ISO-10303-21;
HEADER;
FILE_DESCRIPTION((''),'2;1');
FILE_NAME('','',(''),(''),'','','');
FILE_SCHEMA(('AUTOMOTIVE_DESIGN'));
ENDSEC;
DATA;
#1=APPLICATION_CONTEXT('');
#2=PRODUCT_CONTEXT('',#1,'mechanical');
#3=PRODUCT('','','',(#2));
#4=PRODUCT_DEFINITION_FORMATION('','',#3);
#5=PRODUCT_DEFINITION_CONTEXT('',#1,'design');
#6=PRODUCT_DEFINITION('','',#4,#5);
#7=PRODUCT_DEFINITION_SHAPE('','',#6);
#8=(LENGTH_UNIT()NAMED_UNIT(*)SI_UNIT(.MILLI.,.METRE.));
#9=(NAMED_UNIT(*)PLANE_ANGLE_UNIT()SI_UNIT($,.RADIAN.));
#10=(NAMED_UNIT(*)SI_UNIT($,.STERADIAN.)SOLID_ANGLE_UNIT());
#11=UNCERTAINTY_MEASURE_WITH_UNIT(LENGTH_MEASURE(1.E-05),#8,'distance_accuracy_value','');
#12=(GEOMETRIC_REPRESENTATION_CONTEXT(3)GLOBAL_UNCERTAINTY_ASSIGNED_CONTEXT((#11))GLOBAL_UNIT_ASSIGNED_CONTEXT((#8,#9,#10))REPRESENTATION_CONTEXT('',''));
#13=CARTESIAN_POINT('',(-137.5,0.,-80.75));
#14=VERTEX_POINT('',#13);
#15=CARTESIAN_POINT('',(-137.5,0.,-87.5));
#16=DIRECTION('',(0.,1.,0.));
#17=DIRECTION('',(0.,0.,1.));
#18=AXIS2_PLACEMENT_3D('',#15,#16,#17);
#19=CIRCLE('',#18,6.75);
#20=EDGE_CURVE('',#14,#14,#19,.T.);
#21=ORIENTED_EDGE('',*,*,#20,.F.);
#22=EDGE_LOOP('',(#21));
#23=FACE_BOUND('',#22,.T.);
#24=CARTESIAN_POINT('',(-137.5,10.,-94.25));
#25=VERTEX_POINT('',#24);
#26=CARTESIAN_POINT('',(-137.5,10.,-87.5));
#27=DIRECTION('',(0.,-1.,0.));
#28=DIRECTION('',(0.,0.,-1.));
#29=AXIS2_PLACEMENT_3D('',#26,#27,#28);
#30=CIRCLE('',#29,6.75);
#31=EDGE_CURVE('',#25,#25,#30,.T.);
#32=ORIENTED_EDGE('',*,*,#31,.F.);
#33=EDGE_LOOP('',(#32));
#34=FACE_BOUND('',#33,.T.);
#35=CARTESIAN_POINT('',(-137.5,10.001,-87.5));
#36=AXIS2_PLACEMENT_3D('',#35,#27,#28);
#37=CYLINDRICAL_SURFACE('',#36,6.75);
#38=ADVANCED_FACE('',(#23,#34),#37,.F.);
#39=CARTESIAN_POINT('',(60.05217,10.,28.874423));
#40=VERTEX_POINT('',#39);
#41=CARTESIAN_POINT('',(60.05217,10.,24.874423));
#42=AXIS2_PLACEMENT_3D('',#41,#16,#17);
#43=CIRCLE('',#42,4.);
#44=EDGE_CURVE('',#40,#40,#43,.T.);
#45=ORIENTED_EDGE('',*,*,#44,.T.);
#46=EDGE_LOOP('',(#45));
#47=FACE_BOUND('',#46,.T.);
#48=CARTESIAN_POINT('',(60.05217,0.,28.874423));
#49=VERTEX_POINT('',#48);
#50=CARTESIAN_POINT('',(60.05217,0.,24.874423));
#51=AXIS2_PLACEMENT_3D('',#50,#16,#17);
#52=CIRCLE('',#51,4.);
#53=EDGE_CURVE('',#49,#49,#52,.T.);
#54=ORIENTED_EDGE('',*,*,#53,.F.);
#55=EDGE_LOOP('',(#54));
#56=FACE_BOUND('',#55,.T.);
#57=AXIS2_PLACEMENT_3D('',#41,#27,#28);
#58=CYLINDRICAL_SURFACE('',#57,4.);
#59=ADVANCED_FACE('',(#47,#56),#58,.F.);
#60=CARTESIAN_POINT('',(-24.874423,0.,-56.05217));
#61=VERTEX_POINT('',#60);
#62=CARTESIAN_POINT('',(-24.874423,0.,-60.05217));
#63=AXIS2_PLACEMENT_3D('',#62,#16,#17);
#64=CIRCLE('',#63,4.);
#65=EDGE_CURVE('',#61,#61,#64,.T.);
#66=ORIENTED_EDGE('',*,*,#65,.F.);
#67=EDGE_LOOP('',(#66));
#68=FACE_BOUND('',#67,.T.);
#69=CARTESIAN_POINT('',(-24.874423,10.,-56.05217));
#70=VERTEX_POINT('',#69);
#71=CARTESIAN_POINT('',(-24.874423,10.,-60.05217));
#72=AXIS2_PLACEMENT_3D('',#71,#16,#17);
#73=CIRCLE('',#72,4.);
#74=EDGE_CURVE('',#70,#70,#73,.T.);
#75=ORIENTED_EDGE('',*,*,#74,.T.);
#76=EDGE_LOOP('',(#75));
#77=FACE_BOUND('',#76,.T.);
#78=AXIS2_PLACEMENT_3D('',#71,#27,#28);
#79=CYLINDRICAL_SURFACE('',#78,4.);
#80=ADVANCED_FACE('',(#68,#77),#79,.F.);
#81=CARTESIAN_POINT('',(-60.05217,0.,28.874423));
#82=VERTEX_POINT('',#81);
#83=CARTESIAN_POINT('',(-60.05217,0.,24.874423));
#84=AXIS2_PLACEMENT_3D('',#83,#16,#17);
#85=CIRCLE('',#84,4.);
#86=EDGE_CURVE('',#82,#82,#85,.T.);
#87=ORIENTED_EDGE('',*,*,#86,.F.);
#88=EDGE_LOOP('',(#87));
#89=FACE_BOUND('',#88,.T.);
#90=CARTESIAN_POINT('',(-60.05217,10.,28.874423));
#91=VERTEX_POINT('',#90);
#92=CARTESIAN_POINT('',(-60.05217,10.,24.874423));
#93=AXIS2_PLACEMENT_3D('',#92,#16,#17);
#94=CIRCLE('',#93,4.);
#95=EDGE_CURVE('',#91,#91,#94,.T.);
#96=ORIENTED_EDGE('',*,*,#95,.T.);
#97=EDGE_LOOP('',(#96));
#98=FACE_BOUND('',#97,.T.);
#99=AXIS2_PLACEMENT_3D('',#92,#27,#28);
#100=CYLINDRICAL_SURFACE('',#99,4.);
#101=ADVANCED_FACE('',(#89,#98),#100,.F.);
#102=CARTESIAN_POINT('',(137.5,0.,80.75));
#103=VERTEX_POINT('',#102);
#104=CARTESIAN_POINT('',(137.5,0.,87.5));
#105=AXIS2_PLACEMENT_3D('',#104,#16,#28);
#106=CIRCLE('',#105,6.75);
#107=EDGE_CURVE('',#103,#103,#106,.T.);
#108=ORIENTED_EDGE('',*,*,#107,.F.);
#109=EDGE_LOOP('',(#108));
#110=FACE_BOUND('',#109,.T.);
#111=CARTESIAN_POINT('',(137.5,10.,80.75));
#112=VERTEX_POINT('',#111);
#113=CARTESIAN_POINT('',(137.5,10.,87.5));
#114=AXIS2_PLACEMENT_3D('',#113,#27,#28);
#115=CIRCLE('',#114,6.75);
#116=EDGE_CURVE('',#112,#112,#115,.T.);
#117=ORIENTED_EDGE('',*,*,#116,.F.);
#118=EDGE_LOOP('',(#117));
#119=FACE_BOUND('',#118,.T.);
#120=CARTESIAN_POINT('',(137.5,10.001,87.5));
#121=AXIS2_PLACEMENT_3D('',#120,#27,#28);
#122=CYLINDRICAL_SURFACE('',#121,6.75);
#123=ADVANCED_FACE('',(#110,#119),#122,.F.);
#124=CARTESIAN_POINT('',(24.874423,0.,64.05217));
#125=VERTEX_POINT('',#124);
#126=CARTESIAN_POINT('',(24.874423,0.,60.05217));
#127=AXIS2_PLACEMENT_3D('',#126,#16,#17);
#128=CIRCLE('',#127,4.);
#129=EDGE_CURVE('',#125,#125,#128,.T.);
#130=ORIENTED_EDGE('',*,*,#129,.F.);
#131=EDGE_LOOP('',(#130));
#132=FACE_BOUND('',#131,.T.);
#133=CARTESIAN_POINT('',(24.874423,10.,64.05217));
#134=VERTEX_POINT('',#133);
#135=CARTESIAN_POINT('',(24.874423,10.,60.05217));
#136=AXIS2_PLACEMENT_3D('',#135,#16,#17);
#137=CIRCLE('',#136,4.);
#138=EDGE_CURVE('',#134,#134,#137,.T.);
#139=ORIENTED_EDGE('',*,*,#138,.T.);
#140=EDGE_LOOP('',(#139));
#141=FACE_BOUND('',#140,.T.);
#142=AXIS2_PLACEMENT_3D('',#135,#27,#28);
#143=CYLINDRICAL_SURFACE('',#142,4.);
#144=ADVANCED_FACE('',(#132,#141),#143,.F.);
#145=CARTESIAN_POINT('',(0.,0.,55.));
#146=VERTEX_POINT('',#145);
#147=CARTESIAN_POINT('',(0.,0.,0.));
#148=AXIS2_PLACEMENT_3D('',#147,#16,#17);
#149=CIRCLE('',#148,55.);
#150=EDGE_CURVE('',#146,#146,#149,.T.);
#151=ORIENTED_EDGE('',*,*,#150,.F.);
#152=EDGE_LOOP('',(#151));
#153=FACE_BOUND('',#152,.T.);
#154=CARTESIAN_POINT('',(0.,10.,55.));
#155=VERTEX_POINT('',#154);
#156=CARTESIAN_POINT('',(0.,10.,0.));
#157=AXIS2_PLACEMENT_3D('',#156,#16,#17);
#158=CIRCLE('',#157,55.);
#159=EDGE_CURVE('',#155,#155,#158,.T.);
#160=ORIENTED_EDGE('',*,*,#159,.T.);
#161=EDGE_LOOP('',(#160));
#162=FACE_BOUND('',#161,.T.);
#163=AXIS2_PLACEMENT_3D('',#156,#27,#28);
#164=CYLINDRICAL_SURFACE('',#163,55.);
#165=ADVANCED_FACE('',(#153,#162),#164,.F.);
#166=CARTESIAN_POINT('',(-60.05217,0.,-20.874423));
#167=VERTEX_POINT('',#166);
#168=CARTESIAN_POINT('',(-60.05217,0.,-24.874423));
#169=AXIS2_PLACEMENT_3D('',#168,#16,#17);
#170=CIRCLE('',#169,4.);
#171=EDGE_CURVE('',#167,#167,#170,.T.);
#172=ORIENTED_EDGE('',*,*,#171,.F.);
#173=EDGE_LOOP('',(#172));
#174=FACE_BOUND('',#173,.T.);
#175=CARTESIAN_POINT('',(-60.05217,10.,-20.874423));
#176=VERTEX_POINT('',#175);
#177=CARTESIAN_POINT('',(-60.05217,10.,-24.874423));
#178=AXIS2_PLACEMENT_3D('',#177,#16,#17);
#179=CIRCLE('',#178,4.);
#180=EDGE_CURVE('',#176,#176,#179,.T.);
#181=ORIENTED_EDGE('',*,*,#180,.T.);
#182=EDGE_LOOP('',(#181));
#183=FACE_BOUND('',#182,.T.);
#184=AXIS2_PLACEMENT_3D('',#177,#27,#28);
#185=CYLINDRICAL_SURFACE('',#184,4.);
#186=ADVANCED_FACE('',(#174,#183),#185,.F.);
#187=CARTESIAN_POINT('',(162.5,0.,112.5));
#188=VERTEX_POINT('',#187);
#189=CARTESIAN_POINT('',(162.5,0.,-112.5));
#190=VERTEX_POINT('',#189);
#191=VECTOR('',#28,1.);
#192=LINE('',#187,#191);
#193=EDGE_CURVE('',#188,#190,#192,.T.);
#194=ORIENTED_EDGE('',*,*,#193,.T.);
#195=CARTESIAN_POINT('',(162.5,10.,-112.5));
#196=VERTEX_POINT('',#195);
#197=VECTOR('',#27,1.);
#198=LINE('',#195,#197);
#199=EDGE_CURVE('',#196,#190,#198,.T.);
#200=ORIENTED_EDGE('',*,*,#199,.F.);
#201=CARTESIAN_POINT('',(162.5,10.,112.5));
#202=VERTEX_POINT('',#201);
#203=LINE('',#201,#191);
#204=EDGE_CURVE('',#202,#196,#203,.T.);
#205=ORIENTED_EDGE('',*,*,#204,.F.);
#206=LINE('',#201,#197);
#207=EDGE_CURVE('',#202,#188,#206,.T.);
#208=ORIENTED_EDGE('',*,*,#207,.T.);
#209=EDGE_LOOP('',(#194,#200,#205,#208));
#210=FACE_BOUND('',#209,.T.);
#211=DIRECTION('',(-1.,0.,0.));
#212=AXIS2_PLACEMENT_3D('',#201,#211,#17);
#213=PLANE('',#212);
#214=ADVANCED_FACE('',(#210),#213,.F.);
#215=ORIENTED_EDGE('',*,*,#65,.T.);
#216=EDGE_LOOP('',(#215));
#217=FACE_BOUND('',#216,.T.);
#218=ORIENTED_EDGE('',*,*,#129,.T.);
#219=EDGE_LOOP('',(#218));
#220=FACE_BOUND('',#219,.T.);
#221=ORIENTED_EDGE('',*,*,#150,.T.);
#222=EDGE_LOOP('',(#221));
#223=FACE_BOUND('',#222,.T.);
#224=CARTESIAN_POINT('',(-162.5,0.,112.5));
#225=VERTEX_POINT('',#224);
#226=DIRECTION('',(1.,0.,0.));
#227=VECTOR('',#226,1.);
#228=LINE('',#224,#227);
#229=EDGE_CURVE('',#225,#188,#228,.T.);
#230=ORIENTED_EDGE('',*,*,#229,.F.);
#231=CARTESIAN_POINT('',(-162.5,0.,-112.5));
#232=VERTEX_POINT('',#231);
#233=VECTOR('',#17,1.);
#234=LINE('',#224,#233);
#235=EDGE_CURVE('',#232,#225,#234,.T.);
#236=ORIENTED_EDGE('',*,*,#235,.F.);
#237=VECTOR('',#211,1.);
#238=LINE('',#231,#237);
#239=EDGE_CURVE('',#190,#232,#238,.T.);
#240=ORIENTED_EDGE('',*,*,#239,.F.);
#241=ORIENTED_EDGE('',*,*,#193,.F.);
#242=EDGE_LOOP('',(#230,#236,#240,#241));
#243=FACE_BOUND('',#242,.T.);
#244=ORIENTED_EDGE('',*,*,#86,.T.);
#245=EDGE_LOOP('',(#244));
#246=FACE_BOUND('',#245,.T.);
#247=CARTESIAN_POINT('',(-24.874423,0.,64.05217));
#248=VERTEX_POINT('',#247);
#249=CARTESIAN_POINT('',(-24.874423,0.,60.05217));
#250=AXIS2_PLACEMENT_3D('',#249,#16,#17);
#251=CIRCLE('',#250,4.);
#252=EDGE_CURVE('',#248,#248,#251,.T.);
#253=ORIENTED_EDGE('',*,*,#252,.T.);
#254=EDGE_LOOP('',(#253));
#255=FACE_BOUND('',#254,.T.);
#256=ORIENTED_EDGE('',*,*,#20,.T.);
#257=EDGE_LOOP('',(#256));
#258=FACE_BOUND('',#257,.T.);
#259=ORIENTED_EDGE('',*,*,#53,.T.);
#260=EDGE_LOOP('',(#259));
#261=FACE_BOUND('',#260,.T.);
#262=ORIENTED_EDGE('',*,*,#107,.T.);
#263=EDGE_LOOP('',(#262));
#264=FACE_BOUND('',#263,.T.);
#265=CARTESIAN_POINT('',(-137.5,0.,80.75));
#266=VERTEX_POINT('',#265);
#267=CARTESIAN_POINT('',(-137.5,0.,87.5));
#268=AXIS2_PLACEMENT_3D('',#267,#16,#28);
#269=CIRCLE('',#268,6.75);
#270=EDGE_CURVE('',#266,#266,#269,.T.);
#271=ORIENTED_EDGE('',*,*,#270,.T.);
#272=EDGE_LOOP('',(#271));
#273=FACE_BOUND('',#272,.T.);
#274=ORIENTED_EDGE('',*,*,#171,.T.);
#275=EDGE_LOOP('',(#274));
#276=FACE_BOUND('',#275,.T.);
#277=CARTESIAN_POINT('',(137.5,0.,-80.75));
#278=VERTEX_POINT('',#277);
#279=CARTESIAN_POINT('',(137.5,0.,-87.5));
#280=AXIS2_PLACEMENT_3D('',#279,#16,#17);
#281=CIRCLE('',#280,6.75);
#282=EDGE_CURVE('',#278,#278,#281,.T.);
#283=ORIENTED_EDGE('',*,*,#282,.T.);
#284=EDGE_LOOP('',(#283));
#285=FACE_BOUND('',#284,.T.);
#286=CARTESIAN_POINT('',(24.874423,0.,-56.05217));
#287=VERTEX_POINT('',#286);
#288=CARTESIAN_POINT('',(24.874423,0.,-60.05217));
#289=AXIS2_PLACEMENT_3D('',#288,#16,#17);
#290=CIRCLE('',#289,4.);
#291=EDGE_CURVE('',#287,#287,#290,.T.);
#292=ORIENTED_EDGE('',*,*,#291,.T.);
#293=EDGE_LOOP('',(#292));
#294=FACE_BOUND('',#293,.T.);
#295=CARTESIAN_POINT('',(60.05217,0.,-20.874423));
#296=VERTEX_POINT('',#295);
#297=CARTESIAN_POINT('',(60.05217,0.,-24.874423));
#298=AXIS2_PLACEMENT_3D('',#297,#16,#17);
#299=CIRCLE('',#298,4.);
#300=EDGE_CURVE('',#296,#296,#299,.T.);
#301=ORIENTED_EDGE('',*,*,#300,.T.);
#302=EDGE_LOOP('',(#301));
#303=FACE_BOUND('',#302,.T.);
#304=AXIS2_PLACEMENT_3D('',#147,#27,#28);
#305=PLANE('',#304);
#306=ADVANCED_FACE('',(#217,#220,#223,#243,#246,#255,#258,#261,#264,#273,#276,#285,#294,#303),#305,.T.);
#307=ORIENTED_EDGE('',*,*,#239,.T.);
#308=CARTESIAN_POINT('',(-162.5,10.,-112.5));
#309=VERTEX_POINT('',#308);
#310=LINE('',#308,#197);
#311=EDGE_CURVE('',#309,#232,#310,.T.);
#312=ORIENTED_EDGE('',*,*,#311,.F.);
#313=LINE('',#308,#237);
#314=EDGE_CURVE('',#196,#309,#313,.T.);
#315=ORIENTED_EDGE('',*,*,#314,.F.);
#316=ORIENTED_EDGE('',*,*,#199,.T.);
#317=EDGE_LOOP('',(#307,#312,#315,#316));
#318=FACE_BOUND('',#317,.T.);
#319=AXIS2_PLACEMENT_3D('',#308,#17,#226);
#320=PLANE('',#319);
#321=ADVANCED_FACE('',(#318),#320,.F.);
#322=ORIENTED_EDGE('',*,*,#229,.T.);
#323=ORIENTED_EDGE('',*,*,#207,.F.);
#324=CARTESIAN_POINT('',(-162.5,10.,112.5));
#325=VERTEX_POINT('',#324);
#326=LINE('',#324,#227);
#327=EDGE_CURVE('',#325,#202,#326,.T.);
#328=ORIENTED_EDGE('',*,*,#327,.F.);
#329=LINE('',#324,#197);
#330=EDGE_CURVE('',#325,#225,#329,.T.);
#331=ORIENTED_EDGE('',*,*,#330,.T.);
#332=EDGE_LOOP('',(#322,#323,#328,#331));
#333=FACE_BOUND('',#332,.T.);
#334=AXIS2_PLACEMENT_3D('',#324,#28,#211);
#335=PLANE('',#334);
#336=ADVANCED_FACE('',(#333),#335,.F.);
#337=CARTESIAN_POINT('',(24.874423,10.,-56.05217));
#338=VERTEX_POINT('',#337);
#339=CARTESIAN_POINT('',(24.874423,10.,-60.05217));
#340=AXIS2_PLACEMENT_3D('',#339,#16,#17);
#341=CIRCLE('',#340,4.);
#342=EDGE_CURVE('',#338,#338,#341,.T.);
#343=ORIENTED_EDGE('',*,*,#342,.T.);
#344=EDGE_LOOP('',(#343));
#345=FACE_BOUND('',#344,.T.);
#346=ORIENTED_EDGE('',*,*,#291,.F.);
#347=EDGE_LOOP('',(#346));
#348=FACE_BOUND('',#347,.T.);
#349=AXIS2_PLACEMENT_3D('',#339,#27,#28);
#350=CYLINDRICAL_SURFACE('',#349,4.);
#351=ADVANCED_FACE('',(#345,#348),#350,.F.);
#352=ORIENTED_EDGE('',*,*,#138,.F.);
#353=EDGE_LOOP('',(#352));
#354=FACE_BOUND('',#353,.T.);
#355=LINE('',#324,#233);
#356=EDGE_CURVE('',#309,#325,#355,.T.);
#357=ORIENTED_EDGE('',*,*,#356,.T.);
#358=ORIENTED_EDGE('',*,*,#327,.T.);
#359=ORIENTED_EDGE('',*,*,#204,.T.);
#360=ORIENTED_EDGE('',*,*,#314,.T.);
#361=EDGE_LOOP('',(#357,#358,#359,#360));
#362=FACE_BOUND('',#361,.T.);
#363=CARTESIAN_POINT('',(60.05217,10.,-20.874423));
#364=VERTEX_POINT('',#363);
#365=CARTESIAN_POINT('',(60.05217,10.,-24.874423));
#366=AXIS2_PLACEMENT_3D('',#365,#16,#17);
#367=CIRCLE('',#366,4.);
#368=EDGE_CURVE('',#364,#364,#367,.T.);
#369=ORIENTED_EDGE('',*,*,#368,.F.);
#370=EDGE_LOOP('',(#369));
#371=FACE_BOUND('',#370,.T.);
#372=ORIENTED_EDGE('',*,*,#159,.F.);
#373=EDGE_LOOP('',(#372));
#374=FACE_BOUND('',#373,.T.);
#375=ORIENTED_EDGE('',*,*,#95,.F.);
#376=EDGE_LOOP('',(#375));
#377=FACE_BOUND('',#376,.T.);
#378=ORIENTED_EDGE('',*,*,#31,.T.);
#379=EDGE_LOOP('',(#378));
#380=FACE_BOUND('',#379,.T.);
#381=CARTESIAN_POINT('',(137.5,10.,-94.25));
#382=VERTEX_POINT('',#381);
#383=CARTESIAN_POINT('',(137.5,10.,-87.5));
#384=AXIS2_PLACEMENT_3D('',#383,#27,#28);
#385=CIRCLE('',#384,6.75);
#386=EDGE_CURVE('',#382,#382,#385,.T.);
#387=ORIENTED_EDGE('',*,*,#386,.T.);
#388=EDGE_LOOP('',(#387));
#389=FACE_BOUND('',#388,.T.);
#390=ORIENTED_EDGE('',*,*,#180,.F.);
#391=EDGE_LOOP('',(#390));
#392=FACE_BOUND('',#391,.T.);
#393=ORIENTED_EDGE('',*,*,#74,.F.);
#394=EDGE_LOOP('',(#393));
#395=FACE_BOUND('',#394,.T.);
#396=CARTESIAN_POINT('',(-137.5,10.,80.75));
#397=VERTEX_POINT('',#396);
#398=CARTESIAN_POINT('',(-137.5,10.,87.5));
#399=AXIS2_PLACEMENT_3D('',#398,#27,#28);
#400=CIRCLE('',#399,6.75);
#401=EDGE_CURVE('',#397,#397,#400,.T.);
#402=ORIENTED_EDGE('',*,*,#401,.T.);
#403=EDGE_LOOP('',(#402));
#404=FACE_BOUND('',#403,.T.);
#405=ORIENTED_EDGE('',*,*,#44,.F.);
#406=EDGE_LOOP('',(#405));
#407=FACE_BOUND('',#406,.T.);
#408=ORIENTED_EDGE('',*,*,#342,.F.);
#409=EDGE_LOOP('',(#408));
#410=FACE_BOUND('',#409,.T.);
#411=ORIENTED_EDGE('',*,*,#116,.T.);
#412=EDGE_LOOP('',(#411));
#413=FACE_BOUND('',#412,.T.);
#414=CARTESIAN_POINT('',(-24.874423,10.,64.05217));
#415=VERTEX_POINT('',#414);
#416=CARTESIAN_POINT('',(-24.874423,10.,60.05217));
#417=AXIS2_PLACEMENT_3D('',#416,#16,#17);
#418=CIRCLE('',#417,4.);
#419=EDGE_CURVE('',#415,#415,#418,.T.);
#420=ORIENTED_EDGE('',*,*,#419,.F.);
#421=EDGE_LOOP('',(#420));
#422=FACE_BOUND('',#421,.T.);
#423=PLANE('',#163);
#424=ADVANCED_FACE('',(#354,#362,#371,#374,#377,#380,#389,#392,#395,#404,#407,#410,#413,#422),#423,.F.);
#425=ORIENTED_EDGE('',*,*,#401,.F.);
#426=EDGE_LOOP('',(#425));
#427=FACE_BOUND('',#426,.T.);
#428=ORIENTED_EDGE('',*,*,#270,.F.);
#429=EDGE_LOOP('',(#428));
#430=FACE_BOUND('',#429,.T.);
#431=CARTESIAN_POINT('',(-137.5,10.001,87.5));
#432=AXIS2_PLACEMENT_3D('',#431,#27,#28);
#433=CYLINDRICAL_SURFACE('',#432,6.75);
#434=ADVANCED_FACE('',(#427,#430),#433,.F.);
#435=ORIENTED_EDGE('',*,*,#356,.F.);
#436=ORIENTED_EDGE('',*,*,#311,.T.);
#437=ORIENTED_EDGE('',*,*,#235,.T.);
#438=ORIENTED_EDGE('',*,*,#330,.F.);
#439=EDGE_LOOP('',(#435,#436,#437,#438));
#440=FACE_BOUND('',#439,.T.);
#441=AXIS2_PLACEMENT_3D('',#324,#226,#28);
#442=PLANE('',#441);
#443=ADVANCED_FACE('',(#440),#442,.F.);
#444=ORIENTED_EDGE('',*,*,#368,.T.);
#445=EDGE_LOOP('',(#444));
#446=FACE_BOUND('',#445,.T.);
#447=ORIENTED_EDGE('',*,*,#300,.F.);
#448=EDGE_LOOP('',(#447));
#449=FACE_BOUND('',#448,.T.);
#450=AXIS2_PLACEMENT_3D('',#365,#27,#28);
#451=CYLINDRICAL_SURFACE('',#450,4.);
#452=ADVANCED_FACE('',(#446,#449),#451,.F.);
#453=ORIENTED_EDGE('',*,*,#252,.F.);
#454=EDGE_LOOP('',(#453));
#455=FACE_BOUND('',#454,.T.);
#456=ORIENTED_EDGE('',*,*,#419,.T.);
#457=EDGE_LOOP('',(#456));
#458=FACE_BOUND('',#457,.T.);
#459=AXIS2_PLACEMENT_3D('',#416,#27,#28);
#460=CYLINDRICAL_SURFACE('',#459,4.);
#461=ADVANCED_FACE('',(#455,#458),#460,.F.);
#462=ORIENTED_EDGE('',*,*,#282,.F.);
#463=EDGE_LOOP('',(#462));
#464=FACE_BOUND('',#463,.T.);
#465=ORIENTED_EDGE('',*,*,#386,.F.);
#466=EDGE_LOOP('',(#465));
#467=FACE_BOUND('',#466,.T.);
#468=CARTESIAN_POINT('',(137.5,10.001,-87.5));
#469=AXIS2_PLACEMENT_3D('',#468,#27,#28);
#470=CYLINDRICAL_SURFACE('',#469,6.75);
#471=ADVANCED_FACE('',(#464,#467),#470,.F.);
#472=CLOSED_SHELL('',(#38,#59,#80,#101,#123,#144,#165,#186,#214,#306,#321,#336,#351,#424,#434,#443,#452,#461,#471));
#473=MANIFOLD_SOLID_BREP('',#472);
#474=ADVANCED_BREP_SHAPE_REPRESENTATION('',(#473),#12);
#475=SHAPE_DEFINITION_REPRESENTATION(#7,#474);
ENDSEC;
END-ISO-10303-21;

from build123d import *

# Parameters (mm, degrees)
SKETCH1_W           = 325
SKETCH1_H           = 225
SKETCH1_R           = 55
BOSS_EXTRUDE1_DEPTH = 10
SKETCH2_R           = 4
CUT_EXTRUDE1_DEPTH  = 10
CUT_EXTRUDE2_REACH  = 199.895
SKETCH4_R           = 6.75


with BuildPart() as part:
    # Sketch1 → Boss-Extrude1 (new body)
    with BuildSketch(Plane(origin=(0, 0, 0), x_dir=(1, 0, 0), z_dir=(0, 1, 0))):
        Rectangle(SKETCH1_W, SKETCH1_H)
        with Locations(Location((0, 0, 0), (0, 0, 270))):
            Circle(SKETCH1_R, mode=Mode.SUBTRACT)
    extrude(amount=BOSS_EXTRUDE1_DEPTH)

    # Sketch2 → Cut-Extrude1 (cut)
    with BuildSketch(Plane(origin=(0, 0, 0), x_dir=(1, 0, 0), z_dir=(0, 1, 0))):
        with Locations(Location((-24.874423104, -60.052169613, 0), (0, 0, 270))):
            Circle(SKETCH2_R)
        with Locations(Location((-60.052169613, -24.874423104, 0), (0, 0, 270))):
            Circle(SKETCH2_R)
        with Locations(Location((-60.052169613, 24.874423104, 0), (0, 0, 270))):
            Circle(SKETCH2_R)
        with Locations(Location((-24.874423104, 60.052169613, 0), (0, 0, 270))):
            Circle(SKETCH2_R)
        with Locations(Location((24.874423104, 60.052169613, 0), (0, 0, 270))):
            Circle(SKETCH2_R)
        with Locations(Location((60.052169613, 24.874423104, 0), (0, 0, 270))):
            Circle(SKETCH2_R)
        with Locations(Location((60.052169613, -24.874423104, 0), (0, 0, 270))):
            Circle(SKETCH2_R)
        with Locations(Location((24.874423104, -60.052169613, 0), (0, 0, 270))):
            Circle(SKETCH2_R)
    extrude(amount=CUT_EXTRUDE1_DEPTH, mode=Mode.SUBTRACT)

    # Sketch4 → Cut-Extrude2 (cut, up to next)
    with BuildSketch(Plane(origin=(0, 0, 0), x_dir=(1, 0, 0), z_dir=(0, 1, 0)), mode=Mode.PRIVATE) as cut_extrude2_sk1:
        with Locations(Location((137.5, 87.5, 0), (0, 0, 90))):
            Circle(SKETCH4_R)
    cut_extrude2_tool1 = extrude(cut_extrude2_sk1.sketch, amount=CUT_EXTRUDE2_REACH, mode=Mode.PRIVATE) & part.part
    # Sketch4 → Cut-Extrude2 (cut, up to next)
    with BuildSketch(Plane(origin=(0, 0, 0), x_dir=(1, 0, 0), z_dir=(0, 1, 0)), mode=Mode.PRIVATE) as cut_extrude2_sk2:
        with Locations(Location((-137.5, 87.5, 0), (0, 0, 90))):
            Circle(SKETCH4_R)
    cut_extrude2_tool2 = extrude(cut_extrude2_sk2.sketch, amount=CUT_EXTRUDE2_REACH, mode=Mode.PRIVATE) & part.part
    # Sketch4 → Cut-Extrude2 (cut, up to next)
    with BuildSketch(Plane(origin=(0, 0, 0), x_dir=(1, 0, 0), z_dir=(0, 1, 0)), mode=Mode.PRIVATE) as cut_extrude2_sk3:
        with Locations(Location((-137.5, -87.5, 0), (0, 0, 90))):
            Circle(SKETCH4_R)
    cut_extrude2_tool3 = extrude(cut_extrude2_sk3.sketch, amount=CUT_EXTRUDE2_REACH, mode=Mode.PRIVATE) & part.part
    # Sketch4 → Cut-Extrude2 (cut, up to next)
    with BuildSketch(Plane(origin=(0, 0, 0), x_dir=(1, 0, 0), z_dir=(0, 1, 0)), mode=Mode.PRIVATE) as cut_extrude2_sk4:
        with Locations(Location((137.5, -87.5, 0), (0, 0, 90))):
            Circle(SKETCH4_R)
    cut_extrude2_tool4 = extrude(cut_extrude2_sk4.sketch, amount=CUT_EXTRUDE2_REACH, mode=Mode.PRIVATE) & part.part
    add(cut_extrude2_tool1.solids().sort_by_distance((137.5, 0, -87.5))[0], mode=Mode.SUBTRACT)
    add(cut_extrude2_tool2.solids().sort_by_distance((-137.5, 0, -87.5))[0], mode=Mode.SUBTRACT)
    add(cut_extrude2_tool3.solids().sort_by_distance((-137.5, 0, 87.5))[0], mode=Mode.SUBTRACT)
    add(cut_extrude2_tool4.solids().sort_by_distance((137.5, 0, 87.5))[0], mode=Mode.SUBTRACT)


solid = part.part
